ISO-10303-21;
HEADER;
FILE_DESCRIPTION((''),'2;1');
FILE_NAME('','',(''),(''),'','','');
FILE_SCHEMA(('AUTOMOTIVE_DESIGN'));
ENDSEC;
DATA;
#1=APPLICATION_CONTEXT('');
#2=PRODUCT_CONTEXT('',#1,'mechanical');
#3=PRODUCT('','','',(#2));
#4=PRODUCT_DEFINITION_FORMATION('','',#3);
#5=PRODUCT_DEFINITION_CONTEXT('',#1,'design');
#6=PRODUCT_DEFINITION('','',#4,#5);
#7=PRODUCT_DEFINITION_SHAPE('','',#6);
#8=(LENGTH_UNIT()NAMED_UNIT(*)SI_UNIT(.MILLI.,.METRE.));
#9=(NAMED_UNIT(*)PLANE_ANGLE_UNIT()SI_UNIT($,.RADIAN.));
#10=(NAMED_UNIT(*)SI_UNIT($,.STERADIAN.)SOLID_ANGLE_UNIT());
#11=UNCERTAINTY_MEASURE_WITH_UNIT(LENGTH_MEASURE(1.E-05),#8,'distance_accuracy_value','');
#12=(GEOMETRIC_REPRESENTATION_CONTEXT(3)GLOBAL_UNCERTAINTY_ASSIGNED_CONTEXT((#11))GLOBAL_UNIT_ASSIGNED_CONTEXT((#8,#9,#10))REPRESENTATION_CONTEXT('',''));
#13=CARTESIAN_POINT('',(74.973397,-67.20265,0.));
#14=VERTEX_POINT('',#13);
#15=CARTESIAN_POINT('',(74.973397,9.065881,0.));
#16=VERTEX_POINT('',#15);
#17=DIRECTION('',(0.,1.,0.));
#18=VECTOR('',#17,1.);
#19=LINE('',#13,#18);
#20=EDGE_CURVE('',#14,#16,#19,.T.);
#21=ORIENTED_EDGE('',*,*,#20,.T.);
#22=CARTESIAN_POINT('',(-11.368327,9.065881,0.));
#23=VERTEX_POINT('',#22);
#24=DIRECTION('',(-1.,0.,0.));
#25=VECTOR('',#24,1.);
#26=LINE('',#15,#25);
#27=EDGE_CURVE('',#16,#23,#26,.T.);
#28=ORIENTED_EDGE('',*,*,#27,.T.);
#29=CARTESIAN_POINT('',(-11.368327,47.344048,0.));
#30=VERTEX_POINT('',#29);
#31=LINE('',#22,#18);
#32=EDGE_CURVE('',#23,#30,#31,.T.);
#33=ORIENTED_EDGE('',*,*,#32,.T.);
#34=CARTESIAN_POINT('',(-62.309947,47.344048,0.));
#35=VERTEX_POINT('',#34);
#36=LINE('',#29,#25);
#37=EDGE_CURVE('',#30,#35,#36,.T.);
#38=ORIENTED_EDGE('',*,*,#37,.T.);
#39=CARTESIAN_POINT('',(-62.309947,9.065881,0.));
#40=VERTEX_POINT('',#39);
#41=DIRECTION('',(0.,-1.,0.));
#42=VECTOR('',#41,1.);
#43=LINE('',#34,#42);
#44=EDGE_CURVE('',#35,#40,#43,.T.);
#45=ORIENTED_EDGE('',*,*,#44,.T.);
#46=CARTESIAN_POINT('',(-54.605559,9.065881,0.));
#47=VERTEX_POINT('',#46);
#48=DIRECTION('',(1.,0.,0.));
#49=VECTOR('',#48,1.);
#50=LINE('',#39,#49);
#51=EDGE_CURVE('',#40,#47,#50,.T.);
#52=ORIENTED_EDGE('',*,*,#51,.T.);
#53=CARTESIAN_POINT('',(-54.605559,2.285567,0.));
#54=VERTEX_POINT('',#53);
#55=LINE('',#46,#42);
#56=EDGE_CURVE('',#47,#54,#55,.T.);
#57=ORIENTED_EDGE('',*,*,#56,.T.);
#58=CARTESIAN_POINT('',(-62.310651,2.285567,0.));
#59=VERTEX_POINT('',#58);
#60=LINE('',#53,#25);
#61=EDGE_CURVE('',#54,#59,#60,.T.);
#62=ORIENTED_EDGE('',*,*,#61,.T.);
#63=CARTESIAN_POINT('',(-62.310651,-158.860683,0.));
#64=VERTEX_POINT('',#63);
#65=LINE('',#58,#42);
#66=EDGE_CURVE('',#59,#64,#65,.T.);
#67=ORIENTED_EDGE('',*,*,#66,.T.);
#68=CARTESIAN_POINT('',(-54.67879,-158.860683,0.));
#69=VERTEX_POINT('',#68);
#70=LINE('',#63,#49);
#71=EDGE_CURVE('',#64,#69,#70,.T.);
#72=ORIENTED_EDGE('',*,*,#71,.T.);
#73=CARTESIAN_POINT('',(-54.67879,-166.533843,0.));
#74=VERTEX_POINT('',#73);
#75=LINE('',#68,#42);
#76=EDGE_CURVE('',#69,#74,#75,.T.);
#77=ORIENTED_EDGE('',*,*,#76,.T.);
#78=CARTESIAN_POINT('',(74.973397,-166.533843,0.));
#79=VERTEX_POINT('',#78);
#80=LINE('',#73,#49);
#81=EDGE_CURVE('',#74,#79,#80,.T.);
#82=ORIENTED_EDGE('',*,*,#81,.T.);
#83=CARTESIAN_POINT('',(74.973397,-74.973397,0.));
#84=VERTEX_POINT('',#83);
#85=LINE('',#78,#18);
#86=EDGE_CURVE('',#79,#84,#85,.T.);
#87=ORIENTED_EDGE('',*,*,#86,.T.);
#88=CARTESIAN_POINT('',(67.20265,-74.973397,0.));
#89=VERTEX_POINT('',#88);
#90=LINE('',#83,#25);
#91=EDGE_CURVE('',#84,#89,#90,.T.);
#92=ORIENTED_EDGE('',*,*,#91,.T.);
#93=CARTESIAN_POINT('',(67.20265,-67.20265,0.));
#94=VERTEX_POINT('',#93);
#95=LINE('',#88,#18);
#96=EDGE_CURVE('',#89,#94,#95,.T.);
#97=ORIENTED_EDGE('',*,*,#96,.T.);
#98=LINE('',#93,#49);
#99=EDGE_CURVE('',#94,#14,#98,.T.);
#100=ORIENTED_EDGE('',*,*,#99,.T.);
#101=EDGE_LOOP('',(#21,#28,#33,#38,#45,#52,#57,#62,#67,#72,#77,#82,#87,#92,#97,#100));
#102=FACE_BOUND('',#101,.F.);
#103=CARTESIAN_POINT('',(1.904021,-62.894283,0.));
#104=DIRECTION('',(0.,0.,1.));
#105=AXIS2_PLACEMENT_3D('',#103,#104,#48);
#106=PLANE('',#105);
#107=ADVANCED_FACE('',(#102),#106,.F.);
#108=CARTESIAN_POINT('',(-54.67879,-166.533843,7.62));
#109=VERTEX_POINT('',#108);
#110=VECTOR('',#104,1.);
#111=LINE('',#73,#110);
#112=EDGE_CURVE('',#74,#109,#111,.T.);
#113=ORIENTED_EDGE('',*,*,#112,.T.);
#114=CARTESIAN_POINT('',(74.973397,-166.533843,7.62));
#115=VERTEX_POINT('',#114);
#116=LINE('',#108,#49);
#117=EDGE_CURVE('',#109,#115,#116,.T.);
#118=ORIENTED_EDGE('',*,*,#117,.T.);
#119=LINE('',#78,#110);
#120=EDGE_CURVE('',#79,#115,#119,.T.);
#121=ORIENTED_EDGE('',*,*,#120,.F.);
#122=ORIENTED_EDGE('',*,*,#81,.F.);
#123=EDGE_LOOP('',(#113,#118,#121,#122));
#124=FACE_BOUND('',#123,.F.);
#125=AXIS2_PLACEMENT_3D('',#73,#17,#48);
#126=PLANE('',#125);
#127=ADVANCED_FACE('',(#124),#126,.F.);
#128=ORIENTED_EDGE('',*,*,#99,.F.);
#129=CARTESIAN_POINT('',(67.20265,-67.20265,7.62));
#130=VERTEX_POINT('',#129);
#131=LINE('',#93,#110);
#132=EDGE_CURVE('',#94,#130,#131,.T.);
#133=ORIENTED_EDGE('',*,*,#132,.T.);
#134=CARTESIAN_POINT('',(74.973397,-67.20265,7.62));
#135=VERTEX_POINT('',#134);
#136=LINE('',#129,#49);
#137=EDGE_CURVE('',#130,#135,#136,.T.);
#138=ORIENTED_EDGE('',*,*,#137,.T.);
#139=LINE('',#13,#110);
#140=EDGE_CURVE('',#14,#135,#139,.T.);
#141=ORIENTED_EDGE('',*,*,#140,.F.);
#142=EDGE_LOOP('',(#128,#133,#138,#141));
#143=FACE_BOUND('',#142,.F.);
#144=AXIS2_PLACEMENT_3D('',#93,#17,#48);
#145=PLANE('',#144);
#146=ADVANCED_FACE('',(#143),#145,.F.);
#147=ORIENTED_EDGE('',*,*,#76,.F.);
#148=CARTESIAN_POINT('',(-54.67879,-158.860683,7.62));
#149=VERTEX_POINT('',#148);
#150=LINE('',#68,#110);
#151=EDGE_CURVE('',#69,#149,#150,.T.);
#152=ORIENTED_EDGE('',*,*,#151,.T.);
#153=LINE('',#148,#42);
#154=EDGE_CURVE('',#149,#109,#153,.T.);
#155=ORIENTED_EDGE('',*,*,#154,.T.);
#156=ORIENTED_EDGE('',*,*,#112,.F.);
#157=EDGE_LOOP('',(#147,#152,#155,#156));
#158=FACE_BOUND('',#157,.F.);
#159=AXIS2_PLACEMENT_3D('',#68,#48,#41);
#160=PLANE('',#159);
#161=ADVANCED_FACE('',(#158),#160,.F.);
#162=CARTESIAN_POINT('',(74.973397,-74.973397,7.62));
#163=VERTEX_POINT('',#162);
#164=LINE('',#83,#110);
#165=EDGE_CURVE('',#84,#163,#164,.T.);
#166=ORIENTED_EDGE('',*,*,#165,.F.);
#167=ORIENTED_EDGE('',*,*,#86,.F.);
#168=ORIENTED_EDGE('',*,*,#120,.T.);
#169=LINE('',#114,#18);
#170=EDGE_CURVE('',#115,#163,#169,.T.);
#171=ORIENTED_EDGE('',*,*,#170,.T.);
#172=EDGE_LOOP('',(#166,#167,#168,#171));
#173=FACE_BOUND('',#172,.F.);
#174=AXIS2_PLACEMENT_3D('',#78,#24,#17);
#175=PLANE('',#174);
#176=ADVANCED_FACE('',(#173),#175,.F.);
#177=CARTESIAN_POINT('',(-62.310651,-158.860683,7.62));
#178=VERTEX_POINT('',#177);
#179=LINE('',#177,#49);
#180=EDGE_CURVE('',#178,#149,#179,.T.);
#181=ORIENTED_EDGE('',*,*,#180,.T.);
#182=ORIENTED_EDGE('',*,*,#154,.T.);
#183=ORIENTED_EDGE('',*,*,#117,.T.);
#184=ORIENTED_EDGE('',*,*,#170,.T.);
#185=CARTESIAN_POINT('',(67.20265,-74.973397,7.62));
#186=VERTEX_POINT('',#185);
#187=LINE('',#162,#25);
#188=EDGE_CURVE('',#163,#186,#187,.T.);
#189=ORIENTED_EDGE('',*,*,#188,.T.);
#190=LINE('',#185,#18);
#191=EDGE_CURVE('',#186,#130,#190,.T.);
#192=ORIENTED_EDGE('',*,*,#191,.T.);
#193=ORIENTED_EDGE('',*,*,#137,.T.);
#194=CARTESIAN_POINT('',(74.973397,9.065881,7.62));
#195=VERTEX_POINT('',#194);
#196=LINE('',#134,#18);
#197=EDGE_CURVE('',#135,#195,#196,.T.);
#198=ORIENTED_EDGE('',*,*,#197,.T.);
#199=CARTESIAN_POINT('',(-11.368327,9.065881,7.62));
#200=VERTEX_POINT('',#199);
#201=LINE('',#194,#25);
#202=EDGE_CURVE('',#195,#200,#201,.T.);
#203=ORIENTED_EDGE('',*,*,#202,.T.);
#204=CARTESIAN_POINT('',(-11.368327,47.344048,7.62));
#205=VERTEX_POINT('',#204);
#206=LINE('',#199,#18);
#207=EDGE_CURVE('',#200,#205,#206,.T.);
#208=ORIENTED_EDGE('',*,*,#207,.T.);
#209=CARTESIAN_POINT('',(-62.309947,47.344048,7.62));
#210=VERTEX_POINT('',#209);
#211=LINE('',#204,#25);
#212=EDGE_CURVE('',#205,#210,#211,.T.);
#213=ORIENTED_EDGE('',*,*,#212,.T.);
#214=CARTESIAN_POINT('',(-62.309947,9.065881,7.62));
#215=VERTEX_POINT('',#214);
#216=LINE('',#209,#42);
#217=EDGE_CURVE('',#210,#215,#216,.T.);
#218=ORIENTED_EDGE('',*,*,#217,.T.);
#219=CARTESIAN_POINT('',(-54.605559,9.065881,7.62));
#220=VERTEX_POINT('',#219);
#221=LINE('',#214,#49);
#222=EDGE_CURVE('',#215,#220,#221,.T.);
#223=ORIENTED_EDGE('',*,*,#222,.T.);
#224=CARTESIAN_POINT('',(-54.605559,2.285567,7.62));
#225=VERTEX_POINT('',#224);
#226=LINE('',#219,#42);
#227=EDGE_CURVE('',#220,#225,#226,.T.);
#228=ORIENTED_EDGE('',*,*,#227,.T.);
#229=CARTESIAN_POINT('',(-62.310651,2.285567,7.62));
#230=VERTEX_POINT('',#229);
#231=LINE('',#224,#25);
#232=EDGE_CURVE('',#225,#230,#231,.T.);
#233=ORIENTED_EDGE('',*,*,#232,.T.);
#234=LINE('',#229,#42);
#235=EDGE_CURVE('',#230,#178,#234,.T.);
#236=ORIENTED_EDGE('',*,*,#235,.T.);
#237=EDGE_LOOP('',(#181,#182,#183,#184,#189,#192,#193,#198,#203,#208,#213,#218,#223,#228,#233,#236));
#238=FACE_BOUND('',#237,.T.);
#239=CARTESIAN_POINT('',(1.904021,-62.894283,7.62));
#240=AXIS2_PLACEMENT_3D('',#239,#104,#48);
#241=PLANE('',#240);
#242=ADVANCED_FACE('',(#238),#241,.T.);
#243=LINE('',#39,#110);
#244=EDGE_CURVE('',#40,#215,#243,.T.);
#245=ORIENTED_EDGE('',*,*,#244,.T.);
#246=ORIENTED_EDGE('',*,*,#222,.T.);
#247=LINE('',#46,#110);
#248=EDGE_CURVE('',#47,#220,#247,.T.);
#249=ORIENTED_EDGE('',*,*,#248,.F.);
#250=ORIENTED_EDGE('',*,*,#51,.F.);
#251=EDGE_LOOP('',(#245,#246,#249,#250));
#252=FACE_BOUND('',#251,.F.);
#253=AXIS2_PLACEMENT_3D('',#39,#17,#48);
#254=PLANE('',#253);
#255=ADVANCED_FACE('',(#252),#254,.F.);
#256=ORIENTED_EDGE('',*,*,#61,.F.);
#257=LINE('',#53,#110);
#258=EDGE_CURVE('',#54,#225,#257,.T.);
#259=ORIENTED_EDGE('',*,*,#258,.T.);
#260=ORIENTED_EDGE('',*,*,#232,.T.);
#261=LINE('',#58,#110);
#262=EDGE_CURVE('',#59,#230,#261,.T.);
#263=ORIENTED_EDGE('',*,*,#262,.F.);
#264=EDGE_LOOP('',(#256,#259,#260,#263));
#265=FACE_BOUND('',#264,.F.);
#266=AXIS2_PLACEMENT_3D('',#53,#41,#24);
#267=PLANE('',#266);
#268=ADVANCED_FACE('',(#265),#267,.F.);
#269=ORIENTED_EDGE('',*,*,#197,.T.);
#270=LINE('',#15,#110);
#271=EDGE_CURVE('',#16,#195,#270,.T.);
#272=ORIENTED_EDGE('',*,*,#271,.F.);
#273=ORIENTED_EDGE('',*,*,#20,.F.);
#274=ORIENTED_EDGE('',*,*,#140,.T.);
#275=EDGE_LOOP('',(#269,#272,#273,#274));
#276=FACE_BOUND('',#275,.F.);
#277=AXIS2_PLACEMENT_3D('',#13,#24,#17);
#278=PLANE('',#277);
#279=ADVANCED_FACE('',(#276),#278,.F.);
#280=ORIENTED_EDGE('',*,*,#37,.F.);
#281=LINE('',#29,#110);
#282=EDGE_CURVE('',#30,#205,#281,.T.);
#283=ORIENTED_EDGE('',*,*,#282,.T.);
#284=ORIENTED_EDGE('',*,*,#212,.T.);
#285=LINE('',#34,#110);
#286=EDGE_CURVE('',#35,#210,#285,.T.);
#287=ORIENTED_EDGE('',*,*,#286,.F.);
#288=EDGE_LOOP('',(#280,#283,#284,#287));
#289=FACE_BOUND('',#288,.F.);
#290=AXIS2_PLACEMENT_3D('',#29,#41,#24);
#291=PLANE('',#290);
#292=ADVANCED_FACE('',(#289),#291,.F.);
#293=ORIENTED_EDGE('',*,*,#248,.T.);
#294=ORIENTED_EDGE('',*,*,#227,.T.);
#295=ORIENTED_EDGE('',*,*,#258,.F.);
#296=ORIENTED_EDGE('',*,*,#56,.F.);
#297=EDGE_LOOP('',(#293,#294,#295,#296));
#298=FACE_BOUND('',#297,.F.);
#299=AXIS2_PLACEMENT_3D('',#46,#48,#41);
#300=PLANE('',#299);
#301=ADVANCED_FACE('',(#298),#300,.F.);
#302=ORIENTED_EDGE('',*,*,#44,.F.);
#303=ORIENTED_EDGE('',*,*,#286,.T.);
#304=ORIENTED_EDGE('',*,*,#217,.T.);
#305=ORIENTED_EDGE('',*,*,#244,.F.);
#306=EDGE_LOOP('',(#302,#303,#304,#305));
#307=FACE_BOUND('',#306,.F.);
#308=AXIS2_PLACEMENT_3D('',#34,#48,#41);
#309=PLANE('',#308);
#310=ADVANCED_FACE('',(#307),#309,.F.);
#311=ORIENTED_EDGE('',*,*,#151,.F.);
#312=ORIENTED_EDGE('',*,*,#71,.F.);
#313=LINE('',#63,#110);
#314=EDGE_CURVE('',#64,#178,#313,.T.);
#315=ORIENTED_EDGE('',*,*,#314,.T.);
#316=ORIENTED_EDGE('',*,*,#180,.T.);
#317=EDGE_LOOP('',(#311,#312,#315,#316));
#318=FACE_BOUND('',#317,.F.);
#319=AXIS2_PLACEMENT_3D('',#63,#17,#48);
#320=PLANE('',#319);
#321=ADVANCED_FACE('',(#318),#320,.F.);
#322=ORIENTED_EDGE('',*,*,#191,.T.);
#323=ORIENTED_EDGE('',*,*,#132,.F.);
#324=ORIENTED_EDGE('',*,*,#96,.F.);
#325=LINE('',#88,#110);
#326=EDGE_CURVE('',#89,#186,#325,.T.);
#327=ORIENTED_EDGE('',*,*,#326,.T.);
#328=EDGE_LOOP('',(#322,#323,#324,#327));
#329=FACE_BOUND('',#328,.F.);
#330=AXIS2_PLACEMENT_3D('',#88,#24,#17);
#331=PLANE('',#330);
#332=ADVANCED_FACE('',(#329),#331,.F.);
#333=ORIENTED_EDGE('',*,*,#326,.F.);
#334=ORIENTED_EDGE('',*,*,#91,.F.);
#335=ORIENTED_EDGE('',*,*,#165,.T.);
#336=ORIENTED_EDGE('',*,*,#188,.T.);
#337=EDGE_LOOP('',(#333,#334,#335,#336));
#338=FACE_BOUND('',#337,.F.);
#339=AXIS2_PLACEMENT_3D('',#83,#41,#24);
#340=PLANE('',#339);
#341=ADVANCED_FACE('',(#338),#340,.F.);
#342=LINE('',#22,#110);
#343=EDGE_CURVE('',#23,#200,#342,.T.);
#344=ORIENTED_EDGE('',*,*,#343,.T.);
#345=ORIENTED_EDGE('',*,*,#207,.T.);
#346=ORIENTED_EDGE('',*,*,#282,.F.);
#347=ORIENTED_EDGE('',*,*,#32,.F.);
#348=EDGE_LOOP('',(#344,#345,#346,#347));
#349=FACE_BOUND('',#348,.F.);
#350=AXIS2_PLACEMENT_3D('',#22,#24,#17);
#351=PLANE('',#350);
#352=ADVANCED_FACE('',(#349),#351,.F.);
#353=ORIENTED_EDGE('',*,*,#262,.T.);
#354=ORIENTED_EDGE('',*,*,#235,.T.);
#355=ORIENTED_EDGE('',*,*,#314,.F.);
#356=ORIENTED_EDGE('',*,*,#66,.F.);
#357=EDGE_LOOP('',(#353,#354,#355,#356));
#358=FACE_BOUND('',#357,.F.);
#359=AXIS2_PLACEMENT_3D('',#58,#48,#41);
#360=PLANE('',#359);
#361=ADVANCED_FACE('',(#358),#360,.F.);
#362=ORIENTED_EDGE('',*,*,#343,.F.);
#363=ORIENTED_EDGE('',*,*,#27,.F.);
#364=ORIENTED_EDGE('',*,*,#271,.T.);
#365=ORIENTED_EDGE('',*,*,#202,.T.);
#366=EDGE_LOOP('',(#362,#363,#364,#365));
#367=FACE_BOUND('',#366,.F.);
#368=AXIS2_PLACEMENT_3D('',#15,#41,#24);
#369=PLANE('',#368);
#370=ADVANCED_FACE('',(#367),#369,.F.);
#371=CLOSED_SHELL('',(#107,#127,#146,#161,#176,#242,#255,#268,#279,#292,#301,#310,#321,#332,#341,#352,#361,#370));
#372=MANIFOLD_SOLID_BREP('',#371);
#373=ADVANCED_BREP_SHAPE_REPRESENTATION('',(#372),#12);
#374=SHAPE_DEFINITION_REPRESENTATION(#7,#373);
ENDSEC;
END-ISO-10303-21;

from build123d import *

# Parameters (mm, degrees)
F1_DEPTH = 7.62


with BuildPart() as f1:
    # F0 (on Top) → F1 (new body)
    with BuildSketch(Plane.XY):
        Polygon((-11.368327, 47.344048), (-62.309947, 47.344048), (-62.309947, 9.065881), (-54.605559, 9.065881), (-54.605559, 2.285567), (-62.310651, 2.285567), (-62.310651, -158.860683), (-54.67879, -158.860683), (-54.67879, -166.533843), (-52.084383, -166.533843), (74.973397, -166.533843), (74.973397, -74.973397), (67.20265, -74.973397), (67.20265, -67.20265), (74.973397, -67.20265), (74.973397, 9.065881), (-11.368327, 9.065881), align=None)
    extrude(amount=F1_DEPTH)


solid = f1.part
